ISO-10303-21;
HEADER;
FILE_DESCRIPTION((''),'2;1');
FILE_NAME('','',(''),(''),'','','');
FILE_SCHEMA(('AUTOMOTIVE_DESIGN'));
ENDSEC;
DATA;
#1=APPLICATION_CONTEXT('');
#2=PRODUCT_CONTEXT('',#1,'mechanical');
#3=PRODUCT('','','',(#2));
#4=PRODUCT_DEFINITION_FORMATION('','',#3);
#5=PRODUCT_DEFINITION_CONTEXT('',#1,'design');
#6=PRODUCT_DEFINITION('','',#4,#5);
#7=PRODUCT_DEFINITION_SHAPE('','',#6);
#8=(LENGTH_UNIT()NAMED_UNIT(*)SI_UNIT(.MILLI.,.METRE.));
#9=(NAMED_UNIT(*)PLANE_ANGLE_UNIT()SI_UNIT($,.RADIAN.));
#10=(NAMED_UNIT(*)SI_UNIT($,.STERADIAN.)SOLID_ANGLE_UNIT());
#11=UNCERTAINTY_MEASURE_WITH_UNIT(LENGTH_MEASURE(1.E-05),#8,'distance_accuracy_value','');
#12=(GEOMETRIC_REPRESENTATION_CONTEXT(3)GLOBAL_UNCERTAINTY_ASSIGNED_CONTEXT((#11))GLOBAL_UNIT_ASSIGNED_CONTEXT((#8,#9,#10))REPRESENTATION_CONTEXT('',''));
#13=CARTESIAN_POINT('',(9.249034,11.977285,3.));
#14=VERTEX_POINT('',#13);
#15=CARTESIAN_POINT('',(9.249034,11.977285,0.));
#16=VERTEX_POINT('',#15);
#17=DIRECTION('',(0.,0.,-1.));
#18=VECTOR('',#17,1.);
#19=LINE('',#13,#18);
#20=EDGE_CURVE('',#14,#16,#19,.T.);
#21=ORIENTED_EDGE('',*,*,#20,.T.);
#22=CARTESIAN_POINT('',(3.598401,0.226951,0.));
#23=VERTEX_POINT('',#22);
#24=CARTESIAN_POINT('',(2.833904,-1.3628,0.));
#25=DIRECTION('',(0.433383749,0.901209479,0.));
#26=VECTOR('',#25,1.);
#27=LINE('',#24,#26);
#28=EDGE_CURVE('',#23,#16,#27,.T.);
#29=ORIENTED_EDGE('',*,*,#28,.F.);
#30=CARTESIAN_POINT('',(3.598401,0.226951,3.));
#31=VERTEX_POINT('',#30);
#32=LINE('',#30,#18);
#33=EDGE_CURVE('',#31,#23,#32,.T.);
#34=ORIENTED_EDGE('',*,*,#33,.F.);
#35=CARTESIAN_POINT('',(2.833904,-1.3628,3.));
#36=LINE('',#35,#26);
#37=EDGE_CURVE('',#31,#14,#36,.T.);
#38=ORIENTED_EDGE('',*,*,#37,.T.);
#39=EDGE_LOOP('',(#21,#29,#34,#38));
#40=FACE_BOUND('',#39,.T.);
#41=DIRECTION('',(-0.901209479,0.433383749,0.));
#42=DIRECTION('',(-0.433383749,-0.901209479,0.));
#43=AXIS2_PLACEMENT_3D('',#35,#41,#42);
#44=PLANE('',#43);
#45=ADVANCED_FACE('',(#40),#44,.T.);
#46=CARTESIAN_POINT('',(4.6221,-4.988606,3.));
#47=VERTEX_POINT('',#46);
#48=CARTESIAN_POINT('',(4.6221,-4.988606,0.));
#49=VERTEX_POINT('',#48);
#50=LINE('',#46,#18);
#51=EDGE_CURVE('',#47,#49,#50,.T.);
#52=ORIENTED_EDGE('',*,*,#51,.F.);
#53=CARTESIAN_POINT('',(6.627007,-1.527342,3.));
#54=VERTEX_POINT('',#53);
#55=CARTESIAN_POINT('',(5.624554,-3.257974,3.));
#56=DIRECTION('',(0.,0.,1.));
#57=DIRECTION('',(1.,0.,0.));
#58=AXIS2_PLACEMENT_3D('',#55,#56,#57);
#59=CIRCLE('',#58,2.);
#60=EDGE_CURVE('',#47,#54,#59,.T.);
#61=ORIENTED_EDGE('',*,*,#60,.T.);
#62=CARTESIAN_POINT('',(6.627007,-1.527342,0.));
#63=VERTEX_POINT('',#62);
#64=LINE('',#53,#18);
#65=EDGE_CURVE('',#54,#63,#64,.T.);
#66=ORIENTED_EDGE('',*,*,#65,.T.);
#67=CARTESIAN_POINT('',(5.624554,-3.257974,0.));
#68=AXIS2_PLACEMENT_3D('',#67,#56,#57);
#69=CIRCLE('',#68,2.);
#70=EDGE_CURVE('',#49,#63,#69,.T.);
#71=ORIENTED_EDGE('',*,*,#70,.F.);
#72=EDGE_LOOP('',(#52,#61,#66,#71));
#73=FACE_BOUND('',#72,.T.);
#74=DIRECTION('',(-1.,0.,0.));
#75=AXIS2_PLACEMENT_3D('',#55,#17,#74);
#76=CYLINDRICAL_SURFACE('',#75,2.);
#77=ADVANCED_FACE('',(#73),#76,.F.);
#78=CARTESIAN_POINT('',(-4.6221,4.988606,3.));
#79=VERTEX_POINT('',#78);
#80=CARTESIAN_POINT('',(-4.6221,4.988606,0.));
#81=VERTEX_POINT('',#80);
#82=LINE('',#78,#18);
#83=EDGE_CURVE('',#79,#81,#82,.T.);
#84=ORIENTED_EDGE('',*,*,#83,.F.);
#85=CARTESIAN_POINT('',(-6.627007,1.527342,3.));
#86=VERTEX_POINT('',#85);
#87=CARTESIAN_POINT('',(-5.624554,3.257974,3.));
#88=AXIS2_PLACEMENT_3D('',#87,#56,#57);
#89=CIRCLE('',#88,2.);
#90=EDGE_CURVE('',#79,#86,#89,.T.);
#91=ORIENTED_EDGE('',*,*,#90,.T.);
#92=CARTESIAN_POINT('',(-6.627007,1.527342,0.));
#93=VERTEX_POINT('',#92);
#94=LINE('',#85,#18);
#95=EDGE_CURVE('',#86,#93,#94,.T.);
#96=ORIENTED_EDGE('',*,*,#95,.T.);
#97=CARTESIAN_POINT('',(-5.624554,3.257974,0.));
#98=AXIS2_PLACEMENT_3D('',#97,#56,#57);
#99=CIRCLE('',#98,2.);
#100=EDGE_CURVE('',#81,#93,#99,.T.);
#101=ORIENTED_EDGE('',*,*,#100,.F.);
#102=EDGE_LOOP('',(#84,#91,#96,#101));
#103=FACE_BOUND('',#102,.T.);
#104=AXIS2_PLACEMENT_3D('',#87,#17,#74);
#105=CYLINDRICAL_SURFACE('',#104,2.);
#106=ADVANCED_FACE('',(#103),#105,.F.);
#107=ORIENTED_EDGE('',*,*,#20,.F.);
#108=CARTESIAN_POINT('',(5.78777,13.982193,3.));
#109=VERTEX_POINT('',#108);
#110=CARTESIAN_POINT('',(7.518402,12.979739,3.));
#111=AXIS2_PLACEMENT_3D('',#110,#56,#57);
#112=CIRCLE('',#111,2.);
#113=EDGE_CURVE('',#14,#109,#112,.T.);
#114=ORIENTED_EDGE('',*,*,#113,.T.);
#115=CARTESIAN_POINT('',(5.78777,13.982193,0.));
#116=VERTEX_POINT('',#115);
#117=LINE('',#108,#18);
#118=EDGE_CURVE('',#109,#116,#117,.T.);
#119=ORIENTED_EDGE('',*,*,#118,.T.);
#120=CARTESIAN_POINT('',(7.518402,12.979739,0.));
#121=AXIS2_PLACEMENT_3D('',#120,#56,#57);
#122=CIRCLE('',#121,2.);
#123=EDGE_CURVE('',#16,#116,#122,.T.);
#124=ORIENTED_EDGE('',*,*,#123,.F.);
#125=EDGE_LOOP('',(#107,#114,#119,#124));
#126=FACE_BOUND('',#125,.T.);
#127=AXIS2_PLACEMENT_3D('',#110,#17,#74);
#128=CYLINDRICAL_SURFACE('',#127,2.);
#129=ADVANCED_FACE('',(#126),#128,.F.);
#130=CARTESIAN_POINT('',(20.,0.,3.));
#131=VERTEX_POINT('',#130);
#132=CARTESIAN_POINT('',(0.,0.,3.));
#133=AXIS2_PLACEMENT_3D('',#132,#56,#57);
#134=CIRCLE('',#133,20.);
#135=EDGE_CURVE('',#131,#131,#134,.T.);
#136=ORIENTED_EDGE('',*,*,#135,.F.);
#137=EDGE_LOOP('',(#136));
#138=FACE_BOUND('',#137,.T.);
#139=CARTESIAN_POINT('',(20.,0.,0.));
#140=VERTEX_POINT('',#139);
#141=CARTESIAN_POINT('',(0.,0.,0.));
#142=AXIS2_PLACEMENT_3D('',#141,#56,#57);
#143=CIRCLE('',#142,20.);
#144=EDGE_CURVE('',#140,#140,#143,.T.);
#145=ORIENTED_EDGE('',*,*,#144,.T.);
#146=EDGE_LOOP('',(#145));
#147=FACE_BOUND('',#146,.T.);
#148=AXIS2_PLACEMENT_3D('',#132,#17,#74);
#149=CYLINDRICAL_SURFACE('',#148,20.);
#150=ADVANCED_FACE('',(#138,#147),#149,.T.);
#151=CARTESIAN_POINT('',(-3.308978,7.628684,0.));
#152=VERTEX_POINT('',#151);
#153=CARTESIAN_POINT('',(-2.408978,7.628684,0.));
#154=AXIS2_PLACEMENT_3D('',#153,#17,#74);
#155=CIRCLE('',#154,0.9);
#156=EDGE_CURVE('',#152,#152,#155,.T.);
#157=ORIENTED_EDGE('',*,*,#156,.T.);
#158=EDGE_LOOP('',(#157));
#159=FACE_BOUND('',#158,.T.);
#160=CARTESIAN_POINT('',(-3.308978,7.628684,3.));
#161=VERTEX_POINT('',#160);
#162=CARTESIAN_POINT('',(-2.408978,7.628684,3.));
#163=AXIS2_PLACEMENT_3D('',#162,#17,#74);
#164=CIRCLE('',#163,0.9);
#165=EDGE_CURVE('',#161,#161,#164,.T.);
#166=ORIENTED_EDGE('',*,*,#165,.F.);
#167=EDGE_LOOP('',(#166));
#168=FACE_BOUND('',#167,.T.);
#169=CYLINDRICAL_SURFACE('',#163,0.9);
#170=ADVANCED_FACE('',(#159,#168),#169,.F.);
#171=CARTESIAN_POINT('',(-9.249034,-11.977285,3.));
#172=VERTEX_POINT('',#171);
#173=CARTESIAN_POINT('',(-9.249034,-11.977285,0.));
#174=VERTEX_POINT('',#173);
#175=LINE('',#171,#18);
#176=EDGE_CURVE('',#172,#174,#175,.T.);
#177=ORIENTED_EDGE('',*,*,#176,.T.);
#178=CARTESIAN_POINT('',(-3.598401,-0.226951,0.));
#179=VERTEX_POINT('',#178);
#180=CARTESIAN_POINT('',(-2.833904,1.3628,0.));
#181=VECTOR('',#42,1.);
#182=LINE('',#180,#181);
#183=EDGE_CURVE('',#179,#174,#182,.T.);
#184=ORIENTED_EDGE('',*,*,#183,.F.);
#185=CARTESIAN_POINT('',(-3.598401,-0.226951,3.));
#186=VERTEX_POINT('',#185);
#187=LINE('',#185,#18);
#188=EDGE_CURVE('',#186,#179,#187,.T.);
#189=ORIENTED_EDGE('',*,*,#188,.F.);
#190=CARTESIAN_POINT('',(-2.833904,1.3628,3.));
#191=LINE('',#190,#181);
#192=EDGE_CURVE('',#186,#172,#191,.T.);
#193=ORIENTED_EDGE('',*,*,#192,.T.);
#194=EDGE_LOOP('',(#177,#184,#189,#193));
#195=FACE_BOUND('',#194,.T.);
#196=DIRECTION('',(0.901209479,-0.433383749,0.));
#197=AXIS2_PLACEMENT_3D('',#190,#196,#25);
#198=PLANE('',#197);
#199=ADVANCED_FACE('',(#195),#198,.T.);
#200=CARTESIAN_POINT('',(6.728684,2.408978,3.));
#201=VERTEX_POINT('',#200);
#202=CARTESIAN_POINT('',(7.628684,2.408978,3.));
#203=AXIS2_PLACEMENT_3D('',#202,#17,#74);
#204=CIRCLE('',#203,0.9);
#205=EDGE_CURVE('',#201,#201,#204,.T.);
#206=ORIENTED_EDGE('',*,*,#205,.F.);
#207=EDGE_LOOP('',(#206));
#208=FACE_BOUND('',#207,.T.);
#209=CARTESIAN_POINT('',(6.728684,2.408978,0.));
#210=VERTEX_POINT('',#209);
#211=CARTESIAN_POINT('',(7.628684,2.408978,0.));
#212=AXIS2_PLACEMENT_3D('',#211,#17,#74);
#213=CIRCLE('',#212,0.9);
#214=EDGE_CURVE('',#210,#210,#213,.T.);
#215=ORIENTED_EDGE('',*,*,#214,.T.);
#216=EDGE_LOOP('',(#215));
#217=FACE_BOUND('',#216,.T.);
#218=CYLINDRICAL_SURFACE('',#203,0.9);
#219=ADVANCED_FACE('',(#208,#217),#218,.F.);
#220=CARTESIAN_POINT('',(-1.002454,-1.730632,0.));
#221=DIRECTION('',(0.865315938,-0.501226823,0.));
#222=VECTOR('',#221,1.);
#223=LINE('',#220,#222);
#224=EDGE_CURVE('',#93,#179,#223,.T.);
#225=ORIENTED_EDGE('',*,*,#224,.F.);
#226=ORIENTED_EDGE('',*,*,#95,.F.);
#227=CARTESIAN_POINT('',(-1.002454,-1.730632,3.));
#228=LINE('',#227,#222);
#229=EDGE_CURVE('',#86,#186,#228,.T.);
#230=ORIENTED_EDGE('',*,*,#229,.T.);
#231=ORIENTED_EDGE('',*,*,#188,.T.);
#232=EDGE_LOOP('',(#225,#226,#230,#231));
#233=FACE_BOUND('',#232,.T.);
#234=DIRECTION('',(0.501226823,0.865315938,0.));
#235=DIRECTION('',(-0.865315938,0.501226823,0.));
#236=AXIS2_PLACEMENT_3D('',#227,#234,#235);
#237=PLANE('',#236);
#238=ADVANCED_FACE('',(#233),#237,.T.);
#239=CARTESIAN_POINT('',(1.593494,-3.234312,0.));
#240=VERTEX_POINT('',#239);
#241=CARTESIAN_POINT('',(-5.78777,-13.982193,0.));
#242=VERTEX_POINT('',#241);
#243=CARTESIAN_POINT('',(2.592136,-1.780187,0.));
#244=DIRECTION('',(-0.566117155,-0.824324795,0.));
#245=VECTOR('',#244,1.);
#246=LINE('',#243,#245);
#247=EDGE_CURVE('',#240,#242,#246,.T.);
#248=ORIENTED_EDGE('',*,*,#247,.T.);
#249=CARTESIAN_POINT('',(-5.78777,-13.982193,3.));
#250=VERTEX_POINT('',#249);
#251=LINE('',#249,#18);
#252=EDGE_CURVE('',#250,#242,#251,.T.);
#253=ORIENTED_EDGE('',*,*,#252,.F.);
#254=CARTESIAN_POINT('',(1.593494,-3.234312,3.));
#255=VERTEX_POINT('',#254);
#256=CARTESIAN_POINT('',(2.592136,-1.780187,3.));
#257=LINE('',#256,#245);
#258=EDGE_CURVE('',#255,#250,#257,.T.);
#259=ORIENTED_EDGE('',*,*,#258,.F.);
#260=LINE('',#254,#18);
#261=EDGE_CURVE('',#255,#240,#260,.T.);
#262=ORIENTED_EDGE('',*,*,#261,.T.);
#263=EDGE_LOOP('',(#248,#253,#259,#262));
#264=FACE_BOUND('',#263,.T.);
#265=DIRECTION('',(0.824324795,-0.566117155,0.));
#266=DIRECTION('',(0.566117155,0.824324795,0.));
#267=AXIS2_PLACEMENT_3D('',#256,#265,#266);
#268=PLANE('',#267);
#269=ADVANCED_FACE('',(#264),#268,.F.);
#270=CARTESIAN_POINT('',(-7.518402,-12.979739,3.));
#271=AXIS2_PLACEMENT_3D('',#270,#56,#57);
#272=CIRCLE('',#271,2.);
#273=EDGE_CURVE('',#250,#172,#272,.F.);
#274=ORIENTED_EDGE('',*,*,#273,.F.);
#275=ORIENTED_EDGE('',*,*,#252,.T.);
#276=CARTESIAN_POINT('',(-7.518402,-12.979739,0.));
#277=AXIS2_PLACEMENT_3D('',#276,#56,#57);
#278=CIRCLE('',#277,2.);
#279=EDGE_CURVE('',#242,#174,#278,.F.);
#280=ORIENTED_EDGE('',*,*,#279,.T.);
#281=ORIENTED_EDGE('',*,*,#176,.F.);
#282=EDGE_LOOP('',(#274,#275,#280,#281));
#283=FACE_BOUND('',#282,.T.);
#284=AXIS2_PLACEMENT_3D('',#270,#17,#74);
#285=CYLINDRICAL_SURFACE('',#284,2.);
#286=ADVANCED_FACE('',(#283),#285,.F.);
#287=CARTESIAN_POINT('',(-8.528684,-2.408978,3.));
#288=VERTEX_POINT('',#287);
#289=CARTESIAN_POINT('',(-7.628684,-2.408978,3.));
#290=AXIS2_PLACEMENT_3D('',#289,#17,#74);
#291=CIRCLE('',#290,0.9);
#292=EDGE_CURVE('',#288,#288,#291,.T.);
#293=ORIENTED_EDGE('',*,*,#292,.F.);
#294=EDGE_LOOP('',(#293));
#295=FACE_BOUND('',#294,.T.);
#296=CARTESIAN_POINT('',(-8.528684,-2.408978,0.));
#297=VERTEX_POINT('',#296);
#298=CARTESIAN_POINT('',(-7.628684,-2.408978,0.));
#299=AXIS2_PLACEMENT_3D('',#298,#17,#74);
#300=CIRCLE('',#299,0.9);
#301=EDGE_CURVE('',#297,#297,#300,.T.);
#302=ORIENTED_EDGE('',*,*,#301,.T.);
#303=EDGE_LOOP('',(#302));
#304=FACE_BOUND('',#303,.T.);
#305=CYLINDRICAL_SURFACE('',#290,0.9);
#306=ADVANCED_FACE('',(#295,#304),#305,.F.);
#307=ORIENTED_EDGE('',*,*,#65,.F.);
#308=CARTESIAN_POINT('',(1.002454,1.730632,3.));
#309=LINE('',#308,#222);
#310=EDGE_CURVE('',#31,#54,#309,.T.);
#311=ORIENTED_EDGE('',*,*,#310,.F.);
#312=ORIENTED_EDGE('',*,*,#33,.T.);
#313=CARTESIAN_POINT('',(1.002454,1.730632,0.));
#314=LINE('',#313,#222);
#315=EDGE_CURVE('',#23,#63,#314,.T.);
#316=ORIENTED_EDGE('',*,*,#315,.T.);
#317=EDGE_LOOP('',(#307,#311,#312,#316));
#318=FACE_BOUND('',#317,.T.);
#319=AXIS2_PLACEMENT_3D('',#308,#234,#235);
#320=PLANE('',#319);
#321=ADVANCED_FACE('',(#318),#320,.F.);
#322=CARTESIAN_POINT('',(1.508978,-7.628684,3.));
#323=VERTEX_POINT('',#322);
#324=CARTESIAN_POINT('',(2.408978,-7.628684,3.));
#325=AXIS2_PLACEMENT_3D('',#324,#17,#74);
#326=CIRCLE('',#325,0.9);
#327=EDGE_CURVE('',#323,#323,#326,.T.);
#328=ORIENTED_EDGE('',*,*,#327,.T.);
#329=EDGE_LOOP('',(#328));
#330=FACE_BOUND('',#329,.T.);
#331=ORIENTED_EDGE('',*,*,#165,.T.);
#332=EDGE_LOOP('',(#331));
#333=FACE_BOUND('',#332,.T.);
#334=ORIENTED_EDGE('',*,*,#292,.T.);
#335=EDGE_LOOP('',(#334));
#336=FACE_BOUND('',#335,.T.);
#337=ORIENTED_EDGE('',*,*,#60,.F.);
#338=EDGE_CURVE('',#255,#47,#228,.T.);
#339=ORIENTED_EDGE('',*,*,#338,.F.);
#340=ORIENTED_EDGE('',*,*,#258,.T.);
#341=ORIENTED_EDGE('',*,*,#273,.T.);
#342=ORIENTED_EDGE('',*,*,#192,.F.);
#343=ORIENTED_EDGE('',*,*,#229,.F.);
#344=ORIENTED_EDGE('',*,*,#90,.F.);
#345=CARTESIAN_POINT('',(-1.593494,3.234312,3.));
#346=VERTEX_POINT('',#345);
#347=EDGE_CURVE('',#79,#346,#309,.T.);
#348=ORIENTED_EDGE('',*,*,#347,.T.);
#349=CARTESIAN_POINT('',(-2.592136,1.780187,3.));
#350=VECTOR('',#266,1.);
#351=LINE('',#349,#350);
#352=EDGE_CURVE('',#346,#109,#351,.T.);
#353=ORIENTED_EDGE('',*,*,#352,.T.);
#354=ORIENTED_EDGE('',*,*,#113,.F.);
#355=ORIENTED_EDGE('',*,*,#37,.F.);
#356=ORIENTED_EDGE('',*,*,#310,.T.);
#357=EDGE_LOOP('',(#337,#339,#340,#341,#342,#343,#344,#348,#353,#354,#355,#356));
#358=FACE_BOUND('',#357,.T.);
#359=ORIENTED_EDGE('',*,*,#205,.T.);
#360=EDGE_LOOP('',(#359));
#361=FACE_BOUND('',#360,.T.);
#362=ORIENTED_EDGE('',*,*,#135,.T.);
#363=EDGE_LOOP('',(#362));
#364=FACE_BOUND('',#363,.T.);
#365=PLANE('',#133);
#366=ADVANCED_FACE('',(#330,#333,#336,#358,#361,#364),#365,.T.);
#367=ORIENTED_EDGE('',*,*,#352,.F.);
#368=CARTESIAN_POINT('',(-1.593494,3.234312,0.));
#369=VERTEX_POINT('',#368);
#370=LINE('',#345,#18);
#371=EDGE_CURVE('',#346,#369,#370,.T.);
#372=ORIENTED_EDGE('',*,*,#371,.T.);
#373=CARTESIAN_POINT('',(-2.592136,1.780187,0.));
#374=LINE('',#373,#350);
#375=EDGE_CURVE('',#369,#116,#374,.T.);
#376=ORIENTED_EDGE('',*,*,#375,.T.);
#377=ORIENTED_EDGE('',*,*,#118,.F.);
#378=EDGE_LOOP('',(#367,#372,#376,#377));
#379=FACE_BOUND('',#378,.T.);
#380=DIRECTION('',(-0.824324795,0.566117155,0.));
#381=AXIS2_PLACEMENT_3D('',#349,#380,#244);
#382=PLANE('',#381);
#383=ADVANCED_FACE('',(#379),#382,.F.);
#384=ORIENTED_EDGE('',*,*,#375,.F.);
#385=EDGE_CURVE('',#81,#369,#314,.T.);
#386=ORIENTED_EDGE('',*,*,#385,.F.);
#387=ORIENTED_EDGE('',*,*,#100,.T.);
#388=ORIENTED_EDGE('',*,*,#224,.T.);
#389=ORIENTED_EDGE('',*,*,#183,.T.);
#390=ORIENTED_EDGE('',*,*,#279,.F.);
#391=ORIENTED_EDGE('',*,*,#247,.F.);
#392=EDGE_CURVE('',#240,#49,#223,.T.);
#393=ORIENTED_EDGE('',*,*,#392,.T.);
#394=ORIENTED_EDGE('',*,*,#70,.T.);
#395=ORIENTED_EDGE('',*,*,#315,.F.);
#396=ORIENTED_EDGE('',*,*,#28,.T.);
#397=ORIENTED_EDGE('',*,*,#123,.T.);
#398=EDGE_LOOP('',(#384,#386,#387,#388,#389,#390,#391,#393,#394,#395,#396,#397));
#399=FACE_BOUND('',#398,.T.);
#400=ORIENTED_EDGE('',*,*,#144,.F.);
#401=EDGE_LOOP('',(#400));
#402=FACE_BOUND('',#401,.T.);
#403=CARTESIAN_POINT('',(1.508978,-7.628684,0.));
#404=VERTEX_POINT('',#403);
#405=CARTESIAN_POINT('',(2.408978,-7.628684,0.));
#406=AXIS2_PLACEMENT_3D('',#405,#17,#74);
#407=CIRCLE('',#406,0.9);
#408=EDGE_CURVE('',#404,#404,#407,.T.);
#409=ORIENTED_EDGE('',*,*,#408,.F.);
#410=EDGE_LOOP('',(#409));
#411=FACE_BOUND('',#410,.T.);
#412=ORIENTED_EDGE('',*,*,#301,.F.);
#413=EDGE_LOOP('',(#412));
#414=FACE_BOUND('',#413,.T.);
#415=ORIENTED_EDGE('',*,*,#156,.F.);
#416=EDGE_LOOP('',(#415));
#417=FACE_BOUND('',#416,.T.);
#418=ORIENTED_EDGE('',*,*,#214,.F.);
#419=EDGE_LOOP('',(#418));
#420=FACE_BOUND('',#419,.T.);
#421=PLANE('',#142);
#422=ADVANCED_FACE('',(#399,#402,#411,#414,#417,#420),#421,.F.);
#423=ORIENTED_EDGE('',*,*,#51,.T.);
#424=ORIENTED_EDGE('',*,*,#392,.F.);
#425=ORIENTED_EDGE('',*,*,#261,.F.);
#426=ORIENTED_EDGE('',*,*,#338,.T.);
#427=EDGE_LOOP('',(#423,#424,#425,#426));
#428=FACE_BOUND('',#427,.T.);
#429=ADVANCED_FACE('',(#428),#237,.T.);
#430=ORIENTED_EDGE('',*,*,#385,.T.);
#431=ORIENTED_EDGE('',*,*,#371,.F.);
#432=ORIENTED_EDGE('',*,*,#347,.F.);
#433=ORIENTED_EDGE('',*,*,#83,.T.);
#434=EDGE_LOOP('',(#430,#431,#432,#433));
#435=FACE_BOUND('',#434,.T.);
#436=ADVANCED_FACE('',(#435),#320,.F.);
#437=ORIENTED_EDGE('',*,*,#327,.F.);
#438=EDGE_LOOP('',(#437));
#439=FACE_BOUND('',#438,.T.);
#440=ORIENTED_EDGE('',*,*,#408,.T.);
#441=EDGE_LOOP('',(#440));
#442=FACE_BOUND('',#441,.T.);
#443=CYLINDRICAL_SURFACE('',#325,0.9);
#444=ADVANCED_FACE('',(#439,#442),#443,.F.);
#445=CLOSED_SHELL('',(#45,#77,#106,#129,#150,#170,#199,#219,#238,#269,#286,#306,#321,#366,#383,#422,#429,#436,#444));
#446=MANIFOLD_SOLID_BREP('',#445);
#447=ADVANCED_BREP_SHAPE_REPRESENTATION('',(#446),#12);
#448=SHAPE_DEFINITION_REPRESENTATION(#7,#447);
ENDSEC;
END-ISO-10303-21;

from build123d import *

# Parameters (mm, degrees)
SKETCH1_R           = 20
BOSS_EXTRUDE1_DEPTH = 3
SKETCH2_R           = 0.9
CUT_EXTRUDE1_DEPTH  = 3


with BuildPart() as part:
    # Sketch1 → Boss-Extrude1 (new body)
    with BuildSketch(Plane.XY):
        Circle(SKETCH1_R)
        with BuildLine():
            ThreePointArc((-6.627007241, 1.527342474), (-7.35518547, 4.260427995), (-4.622099949, 4.988606224))
            Line((-4.622099949, 4.988606224), (-1.593494167, 3.234312344))
            Line((-1.593494167, 3.234312344), (5.787770469, 13.982192711))
            ThreePointArc((5.787770469, 13.982192711), (8.037409208, 14.911223436), (9.518402344, 12.979739065))
            ThreePointArc((9.518402344, 12.979739065), (9.449886715, 12.460732201), (9.24903422, 11.977285419))
            Line((9.24903422, 11.977285419), (3.598401459, 0.226951406))
            Line((3.598401459, 0.226951406), (6.627007241, -1.527342474))
            ThreePointArc((6.627007241, -1.527342474), (7.35518547, -4.260427995), (4.622099949, -4.988606224))
            Line((4.622099949, -4.988606224), (1.593494167, -3.234312344))
            Line((1.593494167, -3.234312344), (-5.787770469, -13.982192711))
            ThreePointArc((-5.787770469, -13.982192711), (-8.52085599, -14.71037094), (-9.24903422, -11.977285419))
            Line((-9.24903422, -11.977285419), (-3.598401459, -0.226951406))
            Line((-3.598401459, -0.226951406), (-6.627007241, 1.527342474))
        make_face(mode=Mode.SUBTRACT)
    extrude(amount=BOSS_EXTRUDE1_DEPTH)

    # Sketch2 → Cut-Extrude1 (cut)
    with BuildSketch(Plane(origin=(0, 0, 0), x_dir=(-1, 0, 0), z_dir=(0, 0, -1))):
        with Locations((-2.408978249, -7.628684277)):
            Circle(SKETCH2_R)
        with Locations((-7.628684277, 2.408978249)):
            Circle(SKETCH2_R)
        with Locations((2.408978249, 7.628684277)):
            Circle(SKETCH2_R)
        with Locations((7.628684277, -2.408978249)):
            Circle(SKETCH2_R)
    extrude(amount=-CUT_EXTRUDE1_DEPTH, mode=Mode.SUBTRACT)


solid = part.part
